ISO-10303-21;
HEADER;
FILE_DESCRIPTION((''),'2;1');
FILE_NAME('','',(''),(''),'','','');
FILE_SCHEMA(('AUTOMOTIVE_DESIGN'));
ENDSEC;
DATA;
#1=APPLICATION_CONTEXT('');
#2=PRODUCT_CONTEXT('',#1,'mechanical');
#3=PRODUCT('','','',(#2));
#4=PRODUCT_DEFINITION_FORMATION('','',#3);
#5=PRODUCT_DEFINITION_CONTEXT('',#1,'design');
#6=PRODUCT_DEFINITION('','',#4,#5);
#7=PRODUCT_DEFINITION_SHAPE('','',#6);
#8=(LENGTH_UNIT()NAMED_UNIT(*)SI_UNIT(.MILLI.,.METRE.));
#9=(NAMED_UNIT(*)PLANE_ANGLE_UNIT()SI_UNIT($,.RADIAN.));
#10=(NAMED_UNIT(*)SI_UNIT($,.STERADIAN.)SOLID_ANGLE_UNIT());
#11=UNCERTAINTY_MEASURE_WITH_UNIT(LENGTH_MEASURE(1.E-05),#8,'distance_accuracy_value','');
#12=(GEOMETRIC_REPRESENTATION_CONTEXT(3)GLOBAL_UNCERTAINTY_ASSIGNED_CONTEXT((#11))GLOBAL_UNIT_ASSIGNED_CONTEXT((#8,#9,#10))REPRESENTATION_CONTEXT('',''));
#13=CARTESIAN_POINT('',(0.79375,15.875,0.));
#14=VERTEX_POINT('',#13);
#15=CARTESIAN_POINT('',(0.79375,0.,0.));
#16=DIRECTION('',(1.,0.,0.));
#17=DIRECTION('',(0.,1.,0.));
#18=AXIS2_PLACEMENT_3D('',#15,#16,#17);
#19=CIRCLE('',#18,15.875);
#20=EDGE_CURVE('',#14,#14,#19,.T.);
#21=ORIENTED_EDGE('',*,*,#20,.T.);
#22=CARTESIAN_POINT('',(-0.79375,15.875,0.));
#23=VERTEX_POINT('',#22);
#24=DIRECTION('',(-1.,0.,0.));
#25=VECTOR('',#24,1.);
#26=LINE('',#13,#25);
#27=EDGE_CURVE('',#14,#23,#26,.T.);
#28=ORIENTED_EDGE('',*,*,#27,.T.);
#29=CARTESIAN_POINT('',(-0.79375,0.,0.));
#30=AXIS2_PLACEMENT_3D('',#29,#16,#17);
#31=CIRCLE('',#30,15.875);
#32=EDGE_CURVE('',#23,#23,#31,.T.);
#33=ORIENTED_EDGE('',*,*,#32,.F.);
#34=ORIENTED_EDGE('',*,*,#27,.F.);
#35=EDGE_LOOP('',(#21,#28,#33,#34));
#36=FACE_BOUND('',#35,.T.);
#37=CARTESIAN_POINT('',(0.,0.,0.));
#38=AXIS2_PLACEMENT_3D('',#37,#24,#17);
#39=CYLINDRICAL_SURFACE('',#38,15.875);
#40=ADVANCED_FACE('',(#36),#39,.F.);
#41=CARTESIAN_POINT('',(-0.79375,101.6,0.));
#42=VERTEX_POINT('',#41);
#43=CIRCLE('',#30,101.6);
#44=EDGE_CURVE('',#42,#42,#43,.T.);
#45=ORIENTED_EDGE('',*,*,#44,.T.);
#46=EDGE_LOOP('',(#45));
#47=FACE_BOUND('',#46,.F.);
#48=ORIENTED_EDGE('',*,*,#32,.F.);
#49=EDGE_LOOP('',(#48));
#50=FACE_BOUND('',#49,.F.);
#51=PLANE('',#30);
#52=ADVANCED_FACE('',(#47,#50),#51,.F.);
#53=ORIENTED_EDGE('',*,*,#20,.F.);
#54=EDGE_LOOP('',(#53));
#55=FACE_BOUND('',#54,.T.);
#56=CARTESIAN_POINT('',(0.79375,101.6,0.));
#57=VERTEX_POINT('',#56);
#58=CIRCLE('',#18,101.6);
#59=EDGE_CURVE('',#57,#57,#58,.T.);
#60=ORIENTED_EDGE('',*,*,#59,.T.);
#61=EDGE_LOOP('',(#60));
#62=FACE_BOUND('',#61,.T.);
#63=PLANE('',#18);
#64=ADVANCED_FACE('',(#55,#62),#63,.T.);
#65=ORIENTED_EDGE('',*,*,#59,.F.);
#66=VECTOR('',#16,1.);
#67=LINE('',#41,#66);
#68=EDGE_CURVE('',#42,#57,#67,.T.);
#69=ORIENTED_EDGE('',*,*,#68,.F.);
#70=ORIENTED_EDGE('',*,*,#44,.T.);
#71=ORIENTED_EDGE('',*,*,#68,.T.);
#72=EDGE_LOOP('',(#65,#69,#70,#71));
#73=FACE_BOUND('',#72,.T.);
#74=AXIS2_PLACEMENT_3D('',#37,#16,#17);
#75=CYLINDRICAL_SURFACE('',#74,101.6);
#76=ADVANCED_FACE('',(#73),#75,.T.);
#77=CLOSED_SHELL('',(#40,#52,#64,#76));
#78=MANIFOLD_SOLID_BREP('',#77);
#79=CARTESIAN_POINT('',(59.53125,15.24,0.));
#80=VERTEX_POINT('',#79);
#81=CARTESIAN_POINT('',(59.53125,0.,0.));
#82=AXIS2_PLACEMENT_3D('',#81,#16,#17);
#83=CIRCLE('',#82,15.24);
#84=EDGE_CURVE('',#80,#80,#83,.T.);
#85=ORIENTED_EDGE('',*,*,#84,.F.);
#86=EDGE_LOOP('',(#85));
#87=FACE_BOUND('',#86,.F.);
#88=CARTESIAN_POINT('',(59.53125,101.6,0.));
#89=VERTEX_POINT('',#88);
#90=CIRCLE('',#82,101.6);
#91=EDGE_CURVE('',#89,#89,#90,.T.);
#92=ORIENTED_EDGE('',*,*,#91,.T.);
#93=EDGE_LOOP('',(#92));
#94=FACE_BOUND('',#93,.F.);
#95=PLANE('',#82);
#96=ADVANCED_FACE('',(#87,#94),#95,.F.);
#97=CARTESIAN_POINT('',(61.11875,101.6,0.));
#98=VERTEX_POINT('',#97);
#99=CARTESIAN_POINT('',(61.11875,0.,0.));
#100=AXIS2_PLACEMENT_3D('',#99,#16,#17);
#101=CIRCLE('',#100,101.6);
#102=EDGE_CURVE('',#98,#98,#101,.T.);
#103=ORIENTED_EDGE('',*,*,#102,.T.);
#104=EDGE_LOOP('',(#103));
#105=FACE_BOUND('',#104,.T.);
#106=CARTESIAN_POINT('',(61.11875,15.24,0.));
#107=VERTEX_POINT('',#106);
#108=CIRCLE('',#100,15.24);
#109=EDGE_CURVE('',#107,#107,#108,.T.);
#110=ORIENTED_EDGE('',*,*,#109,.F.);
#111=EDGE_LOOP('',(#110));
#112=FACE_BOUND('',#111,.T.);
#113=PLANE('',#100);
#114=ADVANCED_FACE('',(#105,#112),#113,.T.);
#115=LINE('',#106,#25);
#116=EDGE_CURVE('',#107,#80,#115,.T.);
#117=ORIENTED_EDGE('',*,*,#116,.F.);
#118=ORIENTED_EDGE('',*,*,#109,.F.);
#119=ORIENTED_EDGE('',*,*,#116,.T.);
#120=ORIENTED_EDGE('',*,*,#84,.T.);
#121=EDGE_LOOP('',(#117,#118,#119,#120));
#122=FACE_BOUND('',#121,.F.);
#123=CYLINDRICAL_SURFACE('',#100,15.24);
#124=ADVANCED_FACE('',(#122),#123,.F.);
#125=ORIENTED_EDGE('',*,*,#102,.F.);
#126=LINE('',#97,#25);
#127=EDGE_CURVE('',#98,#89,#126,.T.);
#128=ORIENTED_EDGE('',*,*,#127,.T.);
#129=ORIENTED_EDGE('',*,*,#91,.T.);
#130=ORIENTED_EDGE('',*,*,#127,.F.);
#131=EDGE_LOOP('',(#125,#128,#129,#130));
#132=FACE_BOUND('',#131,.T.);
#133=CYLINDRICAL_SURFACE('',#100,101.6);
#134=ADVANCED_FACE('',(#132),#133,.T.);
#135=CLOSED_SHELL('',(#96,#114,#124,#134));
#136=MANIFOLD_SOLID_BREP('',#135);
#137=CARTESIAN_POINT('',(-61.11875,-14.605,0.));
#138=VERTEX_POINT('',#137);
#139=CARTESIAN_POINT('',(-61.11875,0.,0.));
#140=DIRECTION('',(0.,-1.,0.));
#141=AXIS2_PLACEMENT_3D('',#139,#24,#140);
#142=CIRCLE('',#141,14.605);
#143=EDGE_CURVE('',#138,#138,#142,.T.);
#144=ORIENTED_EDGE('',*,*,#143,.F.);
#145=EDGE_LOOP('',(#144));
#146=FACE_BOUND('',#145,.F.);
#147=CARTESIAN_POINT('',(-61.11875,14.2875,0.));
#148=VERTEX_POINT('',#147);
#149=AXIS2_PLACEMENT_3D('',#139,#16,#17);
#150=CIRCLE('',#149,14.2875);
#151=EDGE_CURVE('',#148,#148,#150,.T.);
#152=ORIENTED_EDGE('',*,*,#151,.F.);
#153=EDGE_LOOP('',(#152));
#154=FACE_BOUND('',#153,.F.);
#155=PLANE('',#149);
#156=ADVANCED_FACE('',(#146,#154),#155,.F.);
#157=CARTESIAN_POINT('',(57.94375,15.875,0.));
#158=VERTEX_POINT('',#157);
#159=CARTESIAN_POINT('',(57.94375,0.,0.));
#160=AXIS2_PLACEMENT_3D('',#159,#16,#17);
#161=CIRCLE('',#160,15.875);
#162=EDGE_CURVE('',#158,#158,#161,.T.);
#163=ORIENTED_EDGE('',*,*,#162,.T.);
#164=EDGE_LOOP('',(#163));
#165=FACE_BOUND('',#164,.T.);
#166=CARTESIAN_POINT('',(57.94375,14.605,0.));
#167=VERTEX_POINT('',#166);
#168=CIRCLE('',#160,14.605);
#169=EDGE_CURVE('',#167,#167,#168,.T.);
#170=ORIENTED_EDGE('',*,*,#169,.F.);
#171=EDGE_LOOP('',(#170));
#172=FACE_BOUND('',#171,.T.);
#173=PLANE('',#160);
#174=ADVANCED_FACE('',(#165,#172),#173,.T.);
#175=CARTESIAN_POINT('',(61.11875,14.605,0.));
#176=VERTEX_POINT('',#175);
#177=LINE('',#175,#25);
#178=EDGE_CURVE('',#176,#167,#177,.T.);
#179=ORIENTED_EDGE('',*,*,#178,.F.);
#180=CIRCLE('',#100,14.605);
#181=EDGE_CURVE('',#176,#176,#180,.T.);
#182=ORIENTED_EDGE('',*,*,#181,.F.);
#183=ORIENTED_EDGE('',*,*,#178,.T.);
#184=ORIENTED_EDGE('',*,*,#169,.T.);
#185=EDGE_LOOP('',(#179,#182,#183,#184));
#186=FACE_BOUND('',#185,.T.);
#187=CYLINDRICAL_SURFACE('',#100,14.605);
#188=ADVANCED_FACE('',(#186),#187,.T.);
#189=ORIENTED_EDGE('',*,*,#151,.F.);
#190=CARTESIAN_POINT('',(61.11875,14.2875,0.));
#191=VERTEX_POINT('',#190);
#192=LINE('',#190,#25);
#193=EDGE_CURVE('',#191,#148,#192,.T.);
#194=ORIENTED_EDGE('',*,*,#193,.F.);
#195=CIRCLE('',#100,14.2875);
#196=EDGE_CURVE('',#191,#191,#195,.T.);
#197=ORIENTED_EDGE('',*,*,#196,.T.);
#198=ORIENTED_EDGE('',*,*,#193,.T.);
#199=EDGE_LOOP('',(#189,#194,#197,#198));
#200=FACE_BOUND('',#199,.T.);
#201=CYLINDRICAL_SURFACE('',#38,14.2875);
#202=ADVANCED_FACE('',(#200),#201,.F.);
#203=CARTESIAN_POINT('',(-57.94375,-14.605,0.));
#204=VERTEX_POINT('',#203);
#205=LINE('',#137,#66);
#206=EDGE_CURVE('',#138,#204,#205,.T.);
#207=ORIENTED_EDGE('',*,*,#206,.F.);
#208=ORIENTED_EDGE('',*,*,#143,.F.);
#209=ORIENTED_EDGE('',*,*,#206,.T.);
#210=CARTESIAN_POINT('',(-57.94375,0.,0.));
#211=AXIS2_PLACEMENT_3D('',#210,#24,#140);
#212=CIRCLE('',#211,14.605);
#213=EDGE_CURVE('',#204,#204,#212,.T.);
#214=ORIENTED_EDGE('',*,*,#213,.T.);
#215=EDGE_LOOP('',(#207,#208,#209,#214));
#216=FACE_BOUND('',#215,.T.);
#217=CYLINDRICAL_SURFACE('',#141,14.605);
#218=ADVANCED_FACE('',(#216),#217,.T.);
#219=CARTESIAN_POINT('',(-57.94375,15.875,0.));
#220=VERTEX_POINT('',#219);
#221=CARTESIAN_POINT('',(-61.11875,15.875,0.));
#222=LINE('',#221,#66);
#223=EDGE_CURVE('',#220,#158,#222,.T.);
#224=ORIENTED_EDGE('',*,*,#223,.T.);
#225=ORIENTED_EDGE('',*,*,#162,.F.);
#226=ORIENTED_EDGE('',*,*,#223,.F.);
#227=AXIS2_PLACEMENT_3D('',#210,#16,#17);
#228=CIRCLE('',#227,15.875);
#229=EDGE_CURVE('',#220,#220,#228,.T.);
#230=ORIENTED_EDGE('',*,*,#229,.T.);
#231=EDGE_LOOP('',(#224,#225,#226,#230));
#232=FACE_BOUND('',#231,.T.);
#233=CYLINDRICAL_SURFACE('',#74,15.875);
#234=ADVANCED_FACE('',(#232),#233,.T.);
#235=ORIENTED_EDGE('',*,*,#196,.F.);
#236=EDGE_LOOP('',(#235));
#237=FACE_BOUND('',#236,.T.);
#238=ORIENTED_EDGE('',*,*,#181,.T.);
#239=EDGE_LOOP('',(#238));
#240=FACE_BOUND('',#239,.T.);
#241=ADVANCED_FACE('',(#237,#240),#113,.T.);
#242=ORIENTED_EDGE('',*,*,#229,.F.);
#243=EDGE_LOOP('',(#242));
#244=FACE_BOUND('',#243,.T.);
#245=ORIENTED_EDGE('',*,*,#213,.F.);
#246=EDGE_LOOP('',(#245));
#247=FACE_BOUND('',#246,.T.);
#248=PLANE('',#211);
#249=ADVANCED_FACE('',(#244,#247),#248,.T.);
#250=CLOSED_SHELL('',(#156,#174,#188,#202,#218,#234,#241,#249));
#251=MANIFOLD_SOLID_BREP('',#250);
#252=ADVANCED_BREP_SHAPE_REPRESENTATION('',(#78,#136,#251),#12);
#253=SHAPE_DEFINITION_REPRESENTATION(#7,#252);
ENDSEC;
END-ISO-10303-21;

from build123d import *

# Parameters (mm, degrees)
F0_R     = 15.875
F0_R_2   = 14.605
F0_R_3   = 14.2875
F1_DEPTH = 61.11875
F2_R     = 15.875
F2_R_2   = 14.605
F3_DEPTH = 3.175
F4_R     = 15.875
F4_R_2   = 14.605
F5_DEPTH = 3.175
F6_R     = 101.6
F6_R_2   = 15.24
F7_DEPTH = 1.5875
F8_R     = 101.6
F8_R_2   = 15.875
F9_DEPTH = 0.79375


with BuildPart() as f1:
    # F0 (on Right) → F1 (new body, symmetric)
    with BuildSketch(Plane.YZ):
        Circle(F0_R)
        Circle(F0_R_2, mode=Mode.SUBTRACT)
        Circle(F0_R_2)
        Circle(F0_R_3, mode=Mode.SUBTRACT)
    extrude(amount=F1_DEPTH, both=True)

    # F2 (on face) → F3 (cut)
    with BuildSketch(Plane.YZ.offset(61.11875)):
        Circle(F2_R)
        Circle(F2_R_2, mode=Mode.SUBTRACT)
    extrude(amount=-F3_DEPTH, mode=Mode.SUBTRACT)

    # F4 (on face) → F5 (cut)
    with BuildSketch(Plane(origin=(-61.11875, 0, 0), x_dir=(0, -1, 0), z_dir=(-1, 0, 0))):
        Circle(F4_R)
        Circle(F4_R_2, mode=Mode.SUBTRACT)
    extrude(amount=-F5_DEPTH, mode=Mode.SUBTRACT)


with BuildPart() as f7:
    # F6 (on face) → F7 (new body)
    with BuildSketch(Plane.YZ.offset(61.11875)):
        Circle(F6_R)
        Circle(F6_R_2, mode=Mode.SUBTRACT)
    extrude(amount=-F7_DEPTH)


with BuildPart() as f9:
    # F8 (on Right) → F9 (new body, symmetric)
    with BuildSketch(Plane.YZ):
        Circle(F8_R)
        Circle(F8_R_2, mode=Mode.SUBTRACT)
    extrude(amount=F9_DEPTH, both=True)


solid = Compound([f1.part, f7.part, f9.part])
